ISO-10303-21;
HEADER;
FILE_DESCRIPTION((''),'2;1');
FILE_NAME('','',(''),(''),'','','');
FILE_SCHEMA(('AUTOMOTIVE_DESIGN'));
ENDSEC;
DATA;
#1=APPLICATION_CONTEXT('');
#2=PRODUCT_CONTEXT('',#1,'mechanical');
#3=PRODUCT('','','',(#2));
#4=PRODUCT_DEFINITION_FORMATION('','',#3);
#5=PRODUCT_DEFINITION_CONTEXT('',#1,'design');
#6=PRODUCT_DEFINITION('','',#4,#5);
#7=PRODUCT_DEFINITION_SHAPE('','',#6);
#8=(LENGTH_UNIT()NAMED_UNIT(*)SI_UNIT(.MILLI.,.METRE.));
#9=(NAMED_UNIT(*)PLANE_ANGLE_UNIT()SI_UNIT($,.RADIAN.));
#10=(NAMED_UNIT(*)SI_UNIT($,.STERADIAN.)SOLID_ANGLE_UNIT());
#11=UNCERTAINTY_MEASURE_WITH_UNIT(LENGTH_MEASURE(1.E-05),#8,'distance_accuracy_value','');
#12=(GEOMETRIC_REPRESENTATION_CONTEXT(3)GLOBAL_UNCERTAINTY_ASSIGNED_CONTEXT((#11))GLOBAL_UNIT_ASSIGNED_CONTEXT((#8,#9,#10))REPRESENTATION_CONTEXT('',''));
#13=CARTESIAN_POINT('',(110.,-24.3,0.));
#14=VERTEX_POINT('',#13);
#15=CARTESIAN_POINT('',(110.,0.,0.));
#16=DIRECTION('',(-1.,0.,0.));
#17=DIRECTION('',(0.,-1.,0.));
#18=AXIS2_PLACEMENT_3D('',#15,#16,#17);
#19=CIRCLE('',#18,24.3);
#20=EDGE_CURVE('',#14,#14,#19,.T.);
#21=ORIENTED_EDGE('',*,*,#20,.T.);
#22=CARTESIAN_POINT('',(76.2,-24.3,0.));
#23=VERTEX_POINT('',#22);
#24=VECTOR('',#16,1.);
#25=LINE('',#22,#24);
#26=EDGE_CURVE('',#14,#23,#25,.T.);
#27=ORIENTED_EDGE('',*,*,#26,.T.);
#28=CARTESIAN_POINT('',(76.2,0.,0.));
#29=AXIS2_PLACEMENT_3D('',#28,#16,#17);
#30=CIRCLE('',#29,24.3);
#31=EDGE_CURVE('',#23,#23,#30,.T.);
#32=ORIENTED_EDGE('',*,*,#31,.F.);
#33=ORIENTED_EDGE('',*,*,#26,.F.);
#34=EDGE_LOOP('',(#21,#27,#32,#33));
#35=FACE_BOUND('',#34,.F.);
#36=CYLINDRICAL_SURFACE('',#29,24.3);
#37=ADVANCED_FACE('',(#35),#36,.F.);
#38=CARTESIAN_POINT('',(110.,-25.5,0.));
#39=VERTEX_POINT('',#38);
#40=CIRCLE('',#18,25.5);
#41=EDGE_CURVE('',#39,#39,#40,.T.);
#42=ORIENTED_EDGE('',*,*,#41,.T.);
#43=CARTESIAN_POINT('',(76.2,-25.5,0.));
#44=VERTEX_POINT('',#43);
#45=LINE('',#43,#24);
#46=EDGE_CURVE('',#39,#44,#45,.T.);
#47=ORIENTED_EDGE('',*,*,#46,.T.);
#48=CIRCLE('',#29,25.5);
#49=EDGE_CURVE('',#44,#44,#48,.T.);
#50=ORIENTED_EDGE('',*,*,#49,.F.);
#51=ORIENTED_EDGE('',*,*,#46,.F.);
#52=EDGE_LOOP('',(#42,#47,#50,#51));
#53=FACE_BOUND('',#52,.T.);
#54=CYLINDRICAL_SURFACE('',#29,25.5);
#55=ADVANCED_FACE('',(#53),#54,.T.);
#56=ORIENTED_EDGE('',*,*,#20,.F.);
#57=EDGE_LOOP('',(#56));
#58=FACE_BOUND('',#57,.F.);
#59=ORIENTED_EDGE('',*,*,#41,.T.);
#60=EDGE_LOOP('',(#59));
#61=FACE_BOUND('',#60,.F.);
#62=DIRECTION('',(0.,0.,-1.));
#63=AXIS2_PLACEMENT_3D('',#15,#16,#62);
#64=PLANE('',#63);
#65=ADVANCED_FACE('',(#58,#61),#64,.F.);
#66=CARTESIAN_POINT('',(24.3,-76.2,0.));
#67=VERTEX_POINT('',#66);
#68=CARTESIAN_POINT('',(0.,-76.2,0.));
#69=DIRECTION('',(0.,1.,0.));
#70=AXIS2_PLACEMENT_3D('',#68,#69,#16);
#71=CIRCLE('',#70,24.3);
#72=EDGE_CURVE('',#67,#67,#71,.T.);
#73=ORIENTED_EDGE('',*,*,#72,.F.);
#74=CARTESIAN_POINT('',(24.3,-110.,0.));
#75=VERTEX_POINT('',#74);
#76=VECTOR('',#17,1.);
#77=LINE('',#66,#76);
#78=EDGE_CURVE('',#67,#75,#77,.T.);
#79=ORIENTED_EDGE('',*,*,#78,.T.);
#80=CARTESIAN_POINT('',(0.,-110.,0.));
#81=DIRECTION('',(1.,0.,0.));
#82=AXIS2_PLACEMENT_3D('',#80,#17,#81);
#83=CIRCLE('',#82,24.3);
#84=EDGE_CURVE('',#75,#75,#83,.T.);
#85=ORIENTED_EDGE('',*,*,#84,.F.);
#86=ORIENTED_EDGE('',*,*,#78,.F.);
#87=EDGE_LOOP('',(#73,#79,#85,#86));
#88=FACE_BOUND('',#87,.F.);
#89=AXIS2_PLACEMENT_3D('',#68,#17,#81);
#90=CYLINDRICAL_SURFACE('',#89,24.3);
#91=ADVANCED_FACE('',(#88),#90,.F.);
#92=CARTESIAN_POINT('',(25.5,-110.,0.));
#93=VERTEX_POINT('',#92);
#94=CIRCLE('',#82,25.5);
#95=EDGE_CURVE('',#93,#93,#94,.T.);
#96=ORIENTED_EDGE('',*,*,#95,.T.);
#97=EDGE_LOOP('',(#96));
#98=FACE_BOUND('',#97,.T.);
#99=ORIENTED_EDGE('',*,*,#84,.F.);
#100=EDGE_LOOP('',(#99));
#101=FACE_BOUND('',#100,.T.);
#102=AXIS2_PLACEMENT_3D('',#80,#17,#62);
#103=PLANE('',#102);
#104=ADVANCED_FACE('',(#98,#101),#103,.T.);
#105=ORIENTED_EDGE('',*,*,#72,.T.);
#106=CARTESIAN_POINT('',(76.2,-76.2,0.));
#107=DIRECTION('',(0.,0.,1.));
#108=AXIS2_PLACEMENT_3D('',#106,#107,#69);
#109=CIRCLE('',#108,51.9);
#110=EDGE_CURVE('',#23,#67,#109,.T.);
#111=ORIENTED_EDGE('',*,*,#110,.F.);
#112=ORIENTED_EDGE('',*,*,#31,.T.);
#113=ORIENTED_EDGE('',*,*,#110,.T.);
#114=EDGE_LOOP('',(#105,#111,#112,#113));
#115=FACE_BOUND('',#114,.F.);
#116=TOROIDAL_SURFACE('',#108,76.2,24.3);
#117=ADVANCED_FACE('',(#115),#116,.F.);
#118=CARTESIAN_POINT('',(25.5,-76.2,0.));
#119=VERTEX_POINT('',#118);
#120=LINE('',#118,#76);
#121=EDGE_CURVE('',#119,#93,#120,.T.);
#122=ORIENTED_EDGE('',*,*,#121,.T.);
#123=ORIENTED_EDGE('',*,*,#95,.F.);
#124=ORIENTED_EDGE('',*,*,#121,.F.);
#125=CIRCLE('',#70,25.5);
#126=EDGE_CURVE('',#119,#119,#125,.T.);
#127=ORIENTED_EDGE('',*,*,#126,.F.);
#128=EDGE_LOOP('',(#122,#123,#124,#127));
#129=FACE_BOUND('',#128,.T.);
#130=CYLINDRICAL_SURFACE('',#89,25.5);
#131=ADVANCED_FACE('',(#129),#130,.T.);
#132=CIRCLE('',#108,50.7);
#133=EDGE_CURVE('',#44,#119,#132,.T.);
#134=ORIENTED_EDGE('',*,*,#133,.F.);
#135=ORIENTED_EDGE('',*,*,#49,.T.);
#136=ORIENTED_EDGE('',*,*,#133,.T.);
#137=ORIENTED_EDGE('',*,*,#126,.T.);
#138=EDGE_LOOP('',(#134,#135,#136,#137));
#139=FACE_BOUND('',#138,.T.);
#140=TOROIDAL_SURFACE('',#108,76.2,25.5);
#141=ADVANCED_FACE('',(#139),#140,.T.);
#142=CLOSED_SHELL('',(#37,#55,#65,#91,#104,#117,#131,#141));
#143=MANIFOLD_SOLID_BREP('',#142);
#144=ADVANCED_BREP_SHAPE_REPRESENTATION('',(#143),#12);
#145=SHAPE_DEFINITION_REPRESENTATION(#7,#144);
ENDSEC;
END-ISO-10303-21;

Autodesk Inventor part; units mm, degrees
ref_plane "YZ Plane" through (0, 0, 0) normal (1, 0, 0) x (0, 1, 0)
ref_plane "XZ Plane" through (0, 0, 0) normal (0, 1, 0) x (-1, 0, 0)
sketch "Szkic6" plane through (0, 0, 0) normal (0, 0, 1) x (1, 0, 0)
  line L0 (-29.6067, 0) -> (35.2678, 0) construction
  line L1 (0, 42.3419) -> (0, -58.3726) construction
  arc A0 (76.2, 0) -> (0, -76.2) centre (76.2, -76.2) ccw
  line L2 (0, -76.2) -> (76.2, -76.2) construction
  line L3 (76.2, -76.2) -> (76.2, -10.6669) construction
  line L4 (76.2, 0) -> (110, 0)
  line L5 (0, -76.2) -> (0, -110)
  point P0 (0, 0)
  dimension "d24" = 76.2
  dimension "d31" = 90
  dimension "d36" = 33.8
  dimension "d37" = 33.8
ref_plane "Płaszczyzna konstrukcyjna2" through (0, -76.2, 0) normal (0, -1, 0) x (1, 0, 0)
sketch "Szkic8" plane through (0, -76.2, 0) normal (0, -1, 0) x (1, 0, 0)
  circle A0 centre (0, 0) radius 25.5
  circle A1 centre (0, 0) radius 24.3
  dimension "d32" = 51
  dimension "d33" = 1.2
sweep "Przeciągnięcie2" add profiles "Szkic8" path "Szkic6"
equation "\"d32\" = OD"
equation "\"d33\" = THK"
equation "\"d24\" = R"
equation "\"d31\" = KAT"
equation "\"d36\" = PROSTKA"
equation "\"d37\" = PROSTKA"
equation "\"SzerokośćGięciaPodcięcia\" = Grubość"
equation "\"RozmiarPodcięciaNarożnika\" = 4 * Grubość"
equation "\"PromieńPrzejścia\" = PromieńGięcia"
equation "\"Rozmiar_promienia_Jacobiego\" = PromieńGięcia"
equation "\"Wielk_odstępu\" = Grubość"
equation "\"d2\" = PromieńGięcia"
equation "\"d23\" = PromieńGięcia"
equation "\"R\" = 76.2"
equation "\"OD\" = 51"
equation "\"THK\" = 1.2"
equation "\"KAT\" = 90deg"
equation "\"PROSTKA\" = 33.8"
equation "\"Grubość\" = 1.5"
equation "\"PromieńGięcia\" = 3"
properties part number "Kolano 90° ø51x1,2 R76,2" material "304L"
